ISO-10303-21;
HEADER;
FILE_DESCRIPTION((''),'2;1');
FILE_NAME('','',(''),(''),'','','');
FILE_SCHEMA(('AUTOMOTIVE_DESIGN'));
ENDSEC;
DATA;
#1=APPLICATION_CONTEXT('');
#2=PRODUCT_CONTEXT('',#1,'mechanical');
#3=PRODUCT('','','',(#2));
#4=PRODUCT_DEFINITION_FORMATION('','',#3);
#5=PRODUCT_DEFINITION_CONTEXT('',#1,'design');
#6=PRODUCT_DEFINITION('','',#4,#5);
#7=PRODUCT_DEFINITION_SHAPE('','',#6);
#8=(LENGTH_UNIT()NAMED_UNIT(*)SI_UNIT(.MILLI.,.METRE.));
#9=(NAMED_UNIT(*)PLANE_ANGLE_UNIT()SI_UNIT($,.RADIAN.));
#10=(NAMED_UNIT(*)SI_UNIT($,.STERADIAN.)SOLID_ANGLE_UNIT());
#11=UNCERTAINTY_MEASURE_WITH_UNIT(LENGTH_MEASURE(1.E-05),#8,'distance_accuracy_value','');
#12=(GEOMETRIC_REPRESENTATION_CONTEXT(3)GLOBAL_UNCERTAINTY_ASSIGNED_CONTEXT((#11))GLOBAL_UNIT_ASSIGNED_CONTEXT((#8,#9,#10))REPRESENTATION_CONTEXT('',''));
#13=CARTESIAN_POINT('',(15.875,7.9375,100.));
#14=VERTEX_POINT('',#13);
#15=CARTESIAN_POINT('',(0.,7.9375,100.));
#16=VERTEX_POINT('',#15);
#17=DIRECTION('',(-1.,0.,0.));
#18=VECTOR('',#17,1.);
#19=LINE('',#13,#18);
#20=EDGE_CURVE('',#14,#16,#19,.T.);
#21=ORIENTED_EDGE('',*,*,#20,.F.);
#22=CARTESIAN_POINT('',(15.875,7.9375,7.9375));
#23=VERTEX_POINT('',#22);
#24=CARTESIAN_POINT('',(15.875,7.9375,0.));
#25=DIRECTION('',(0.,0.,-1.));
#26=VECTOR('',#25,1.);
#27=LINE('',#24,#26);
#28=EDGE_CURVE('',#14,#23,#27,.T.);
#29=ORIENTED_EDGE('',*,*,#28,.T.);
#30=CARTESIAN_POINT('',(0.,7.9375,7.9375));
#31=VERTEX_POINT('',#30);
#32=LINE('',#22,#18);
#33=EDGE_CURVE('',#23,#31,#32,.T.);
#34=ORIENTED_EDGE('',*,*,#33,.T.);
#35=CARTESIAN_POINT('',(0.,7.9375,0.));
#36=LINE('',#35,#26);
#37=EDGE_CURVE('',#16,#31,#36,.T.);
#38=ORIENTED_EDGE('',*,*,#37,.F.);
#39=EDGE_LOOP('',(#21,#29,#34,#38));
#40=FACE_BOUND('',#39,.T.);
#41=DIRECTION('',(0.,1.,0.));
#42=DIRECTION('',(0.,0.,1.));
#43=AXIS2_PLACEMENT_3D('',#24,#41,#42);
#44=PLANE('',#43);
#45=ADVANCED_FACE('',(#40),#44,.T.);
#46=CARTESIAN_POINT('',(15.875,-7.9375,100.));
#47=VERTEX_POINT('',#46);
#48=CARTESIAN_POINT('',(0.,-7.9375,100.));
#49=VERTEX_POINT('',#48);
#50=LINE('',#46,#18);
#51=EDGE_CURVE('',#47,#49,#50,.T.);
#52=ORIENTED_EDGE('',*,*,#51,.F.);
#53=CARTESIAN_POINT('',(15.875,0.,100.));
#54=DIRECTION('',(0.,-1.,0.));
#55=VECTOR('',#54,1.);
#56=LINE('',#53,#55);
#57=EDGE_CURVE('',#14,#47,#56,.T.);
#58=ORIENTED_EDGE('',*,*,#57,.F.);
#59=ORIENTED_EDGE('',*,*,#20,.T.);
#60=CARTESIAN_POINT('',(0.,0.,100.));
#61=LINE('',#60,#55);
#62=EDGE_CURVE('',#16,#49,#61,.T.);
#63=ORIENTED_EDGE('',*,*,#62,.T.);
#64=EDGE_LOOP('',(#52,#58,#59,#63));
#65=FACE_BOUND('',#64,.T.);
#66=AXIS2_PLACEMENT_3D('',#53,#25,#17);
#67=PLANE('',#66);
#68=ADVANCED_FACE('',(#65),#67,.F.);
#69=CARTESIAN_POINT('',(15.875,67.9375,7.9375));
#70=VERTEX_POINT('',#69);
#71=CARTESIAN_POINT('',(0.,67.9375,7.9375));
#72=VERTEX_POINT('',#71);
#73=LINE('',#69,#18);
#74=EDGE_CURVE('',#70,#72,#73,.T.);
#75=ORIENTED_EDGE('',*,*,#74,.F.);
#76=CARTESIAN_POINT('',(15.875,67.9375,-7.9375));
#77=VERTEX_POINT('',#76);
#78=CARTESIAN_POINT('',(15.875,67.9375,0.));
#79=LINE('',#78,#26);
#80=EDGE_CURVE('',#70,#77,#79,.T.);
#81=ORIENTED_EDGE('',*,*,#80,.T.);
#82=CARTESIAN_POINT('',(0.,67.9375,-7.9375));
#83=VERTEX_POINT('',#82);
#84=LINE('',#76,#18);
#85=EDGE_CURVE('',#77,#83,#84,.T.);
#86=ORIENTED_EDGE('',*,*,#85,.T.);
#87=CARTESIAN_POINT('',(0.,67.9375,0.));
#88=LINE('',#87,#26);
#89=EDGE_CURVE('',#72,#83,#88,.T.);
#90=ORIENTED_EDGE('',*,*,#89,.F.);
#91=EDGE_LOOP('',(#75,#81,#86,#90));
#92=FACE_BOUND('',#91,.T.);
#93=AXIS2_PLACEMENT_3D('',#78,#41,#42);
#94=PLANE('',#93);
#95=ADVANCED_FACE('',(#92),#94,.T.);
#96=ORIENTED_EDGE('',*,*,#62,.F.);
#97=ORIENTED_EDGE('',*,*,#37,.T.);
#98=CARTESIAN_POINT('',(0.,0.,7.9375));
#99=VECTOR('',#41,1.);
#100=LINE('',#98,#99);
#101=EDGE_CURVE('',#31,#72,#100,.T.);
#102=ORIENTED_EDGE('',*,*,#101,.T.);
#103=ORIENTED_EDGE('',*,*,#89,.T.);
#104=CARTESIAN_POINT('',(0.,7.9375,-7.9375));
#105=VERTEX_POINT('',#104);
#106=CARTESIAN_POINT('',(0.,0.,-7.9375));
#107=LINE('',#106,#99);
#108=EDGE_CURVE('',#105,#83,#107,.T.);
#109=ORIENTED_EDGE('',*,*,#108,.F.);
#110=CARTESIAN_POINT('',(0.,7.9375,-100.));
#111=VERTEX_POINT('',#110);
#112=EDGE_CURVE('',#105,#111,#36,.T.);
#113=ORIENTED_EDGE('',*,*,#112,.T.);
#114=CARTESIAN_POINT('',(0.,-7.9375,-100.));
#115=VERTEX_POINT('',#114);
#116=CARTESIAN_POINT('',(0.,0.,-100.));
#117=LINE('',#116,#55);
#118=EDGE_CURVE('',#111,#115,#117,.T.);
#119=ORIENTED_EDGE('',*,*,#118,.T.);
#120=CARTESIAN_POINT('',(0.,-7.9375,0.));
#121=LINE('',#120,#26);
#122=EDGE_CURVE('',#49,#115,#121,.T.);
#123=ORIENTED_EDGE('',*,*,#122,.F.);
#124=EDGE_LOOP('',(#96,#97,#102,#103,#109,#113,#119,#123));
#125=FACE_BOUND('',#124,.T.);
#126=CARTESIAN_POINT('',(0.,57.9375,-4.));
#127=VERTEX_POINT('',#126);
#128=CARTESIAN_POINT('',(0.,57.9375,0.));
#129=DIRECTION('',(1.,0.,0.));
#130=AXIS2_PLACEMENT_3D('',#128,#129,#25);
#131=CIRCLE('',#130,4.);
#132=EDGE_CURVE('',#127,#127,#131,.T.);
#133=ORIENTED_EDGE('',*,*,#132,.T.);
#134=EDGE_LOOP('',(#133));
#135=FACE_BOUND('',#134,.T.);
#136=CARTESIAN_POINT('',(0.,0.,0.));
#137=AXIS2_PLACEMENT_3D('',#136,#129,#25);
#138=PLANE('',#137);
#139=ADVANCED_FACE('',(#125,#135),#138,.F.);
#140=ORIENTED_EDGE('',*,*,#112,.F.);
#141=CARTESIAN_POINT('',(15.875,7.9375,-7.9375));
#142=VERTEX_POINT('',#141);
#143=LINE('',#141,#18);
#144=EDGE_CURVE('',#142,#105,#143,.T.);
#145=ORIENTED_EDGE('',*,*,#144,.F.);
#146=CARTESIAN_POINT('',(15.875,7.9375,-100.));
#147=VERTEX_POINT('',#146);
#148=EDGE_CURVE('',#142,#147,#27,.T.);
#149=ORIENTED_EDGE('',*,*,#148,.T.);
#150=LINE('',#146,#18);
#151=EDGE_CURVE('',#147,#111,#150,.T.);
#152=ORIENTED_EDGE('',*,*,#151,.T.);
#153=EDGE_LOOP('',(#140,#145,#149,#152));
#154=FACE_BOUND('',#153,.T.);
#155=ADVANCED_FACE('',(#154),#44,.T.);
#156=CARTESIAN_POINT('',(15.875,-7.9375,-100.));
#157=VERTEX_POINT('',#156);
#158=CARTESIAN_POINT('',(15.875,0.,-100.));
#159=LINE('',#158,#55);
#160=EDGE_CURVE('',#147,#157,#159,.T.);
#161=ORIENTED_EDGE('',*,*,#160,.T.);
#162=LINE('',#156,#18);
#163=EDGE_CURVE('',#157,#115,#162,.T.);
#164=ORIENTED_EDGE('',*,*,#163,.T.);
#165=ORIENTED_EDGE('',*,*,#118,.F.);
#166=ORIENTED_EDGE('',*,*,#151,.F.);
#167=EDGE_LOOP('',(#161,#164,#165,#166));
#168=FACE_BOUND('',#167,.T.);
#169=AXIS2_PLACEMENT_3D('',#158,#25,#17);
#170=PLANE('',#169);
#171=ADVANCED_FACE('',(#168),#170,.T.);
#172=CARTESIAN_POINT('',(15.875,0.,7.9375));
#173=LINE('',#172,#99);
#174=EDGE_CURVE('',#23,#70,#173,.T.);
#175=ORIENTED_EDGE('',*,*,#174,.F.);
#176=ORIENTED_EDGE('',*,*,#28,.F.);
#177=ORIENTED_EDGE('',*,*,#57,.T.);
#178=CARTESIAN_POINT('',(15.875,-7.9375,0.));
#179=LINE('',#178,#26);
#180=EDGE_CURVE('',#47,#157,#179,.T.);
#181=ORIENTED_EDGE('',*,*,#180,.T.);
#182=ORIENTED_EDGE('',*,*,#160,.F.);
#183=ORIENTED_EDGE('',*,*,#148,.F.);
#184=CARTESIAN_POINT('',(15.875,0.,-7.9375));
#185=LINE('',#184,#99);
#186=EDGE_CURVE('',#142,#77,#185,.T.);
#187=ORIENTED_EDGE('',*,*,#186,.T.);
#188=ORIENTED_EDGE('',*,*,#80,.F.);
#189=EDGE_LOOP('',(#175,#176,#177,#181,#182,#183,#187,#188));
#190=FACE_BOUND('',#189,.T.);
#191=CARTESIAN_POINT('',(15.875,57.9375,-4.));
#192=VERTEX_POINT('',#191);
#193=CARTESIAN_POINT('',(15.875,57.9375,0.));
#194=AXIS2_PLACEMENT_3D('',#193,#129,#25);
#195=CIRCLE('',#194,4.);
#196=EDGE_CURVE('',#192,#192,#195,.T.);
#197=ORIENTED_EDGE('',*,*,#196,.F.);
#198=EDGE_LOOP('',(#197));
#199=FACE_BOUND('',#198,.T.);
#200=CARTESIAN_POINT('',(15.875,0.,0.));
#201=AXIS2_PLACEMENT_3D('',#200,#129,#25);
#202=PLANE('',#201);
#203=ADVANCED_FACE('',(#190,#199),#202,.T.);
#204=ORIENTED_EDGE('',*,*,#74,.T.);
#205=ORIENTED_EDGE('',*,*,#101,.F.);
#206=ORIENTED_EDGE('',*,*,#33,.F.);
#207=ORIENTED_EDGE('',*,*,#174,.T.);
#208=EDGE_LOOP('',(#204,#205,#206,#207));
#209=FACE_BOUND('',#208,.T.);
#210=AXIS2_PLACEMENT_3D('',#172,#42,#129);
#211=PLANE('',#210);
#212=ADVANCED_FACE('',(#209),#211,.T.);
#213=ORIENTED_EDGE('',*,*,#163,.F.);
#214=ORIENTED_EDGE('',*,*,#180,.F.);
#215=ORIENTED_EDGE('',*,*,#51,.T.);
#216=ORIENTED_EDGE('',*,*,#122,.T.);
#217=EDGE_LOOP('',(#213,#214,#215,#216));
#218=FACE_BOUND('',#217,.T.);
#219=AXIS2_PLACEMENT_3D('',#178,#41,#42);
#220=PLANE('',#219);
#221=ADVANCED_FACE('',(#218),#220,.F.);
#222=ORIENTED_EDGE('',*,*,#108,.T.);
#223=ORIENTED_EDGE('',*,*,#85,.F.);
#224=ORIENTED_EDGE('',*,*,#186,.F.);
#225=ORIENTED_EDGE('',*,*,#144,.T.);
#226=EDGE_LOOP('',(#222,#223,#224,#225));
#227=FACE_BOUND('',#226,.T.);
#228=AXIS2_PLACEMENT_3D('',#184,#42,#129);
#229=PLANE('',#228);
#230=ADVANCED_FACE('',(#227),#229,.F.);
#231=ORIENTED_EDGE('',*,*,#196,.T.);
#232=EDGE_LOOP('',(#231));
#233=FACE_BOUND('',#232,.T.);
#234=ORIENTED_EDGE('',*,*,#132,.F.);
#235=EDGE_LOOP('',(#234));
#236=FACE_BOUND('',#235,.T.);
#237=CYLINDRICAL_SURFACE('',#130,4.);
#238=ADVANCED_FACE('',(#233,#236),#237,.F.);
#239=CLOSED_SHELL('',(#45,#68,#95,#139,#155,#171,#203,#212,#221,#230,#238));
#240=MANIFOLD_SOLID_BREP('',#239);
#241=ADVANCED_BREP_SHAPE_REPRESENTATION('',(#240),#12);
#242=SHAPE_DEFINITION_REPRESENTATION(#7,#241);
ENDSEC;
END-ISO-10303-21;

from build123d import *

# Parameters (mm, degrees)
SKETCH1_W           = 200
SKETCH1_H           = 15.875
SKETCH1_W_2         = 15.875
SKETCH1_H_2         = 60
BOSS_EXTRUDE1_DEPTH = 15.875
SKETCH2_R           = 4
CUT_EXTRUDE1_DEPTH  = 16.875


with BuildPart() as part:
    # Sketch1 → Boss-Extrude1 (new body)
    with BuildSketch(Plane(origin=(0, 0, 0), x_dir=(0, 0, -1), z_dir=(1, 0, 0))):
        Rectangle(SKETCH1_W, SKETCH1_H)
        with Locations((0, 37.9375)):
            Rectangle(SKETCH1_W_2, SKETCH1_H_2)
    extrude(amount=BOSS_EXTRUDE1_DEPTH)

    # Sketch2 → Cut-Extrude1 (cut, through all)
    with BuildSketch(Plane(origin=(15.875, 0, 0), x_dir=(0, 0, -1), z_dir=(1, 0, 0))):
        with Locations((0, 57.9375)):
            Circle(SKETCH2_R)
    extrude(amount=-CUT_EXTRUDE1_DEPTH, mode=Mode.SUBTRACT)


solid = part.part
